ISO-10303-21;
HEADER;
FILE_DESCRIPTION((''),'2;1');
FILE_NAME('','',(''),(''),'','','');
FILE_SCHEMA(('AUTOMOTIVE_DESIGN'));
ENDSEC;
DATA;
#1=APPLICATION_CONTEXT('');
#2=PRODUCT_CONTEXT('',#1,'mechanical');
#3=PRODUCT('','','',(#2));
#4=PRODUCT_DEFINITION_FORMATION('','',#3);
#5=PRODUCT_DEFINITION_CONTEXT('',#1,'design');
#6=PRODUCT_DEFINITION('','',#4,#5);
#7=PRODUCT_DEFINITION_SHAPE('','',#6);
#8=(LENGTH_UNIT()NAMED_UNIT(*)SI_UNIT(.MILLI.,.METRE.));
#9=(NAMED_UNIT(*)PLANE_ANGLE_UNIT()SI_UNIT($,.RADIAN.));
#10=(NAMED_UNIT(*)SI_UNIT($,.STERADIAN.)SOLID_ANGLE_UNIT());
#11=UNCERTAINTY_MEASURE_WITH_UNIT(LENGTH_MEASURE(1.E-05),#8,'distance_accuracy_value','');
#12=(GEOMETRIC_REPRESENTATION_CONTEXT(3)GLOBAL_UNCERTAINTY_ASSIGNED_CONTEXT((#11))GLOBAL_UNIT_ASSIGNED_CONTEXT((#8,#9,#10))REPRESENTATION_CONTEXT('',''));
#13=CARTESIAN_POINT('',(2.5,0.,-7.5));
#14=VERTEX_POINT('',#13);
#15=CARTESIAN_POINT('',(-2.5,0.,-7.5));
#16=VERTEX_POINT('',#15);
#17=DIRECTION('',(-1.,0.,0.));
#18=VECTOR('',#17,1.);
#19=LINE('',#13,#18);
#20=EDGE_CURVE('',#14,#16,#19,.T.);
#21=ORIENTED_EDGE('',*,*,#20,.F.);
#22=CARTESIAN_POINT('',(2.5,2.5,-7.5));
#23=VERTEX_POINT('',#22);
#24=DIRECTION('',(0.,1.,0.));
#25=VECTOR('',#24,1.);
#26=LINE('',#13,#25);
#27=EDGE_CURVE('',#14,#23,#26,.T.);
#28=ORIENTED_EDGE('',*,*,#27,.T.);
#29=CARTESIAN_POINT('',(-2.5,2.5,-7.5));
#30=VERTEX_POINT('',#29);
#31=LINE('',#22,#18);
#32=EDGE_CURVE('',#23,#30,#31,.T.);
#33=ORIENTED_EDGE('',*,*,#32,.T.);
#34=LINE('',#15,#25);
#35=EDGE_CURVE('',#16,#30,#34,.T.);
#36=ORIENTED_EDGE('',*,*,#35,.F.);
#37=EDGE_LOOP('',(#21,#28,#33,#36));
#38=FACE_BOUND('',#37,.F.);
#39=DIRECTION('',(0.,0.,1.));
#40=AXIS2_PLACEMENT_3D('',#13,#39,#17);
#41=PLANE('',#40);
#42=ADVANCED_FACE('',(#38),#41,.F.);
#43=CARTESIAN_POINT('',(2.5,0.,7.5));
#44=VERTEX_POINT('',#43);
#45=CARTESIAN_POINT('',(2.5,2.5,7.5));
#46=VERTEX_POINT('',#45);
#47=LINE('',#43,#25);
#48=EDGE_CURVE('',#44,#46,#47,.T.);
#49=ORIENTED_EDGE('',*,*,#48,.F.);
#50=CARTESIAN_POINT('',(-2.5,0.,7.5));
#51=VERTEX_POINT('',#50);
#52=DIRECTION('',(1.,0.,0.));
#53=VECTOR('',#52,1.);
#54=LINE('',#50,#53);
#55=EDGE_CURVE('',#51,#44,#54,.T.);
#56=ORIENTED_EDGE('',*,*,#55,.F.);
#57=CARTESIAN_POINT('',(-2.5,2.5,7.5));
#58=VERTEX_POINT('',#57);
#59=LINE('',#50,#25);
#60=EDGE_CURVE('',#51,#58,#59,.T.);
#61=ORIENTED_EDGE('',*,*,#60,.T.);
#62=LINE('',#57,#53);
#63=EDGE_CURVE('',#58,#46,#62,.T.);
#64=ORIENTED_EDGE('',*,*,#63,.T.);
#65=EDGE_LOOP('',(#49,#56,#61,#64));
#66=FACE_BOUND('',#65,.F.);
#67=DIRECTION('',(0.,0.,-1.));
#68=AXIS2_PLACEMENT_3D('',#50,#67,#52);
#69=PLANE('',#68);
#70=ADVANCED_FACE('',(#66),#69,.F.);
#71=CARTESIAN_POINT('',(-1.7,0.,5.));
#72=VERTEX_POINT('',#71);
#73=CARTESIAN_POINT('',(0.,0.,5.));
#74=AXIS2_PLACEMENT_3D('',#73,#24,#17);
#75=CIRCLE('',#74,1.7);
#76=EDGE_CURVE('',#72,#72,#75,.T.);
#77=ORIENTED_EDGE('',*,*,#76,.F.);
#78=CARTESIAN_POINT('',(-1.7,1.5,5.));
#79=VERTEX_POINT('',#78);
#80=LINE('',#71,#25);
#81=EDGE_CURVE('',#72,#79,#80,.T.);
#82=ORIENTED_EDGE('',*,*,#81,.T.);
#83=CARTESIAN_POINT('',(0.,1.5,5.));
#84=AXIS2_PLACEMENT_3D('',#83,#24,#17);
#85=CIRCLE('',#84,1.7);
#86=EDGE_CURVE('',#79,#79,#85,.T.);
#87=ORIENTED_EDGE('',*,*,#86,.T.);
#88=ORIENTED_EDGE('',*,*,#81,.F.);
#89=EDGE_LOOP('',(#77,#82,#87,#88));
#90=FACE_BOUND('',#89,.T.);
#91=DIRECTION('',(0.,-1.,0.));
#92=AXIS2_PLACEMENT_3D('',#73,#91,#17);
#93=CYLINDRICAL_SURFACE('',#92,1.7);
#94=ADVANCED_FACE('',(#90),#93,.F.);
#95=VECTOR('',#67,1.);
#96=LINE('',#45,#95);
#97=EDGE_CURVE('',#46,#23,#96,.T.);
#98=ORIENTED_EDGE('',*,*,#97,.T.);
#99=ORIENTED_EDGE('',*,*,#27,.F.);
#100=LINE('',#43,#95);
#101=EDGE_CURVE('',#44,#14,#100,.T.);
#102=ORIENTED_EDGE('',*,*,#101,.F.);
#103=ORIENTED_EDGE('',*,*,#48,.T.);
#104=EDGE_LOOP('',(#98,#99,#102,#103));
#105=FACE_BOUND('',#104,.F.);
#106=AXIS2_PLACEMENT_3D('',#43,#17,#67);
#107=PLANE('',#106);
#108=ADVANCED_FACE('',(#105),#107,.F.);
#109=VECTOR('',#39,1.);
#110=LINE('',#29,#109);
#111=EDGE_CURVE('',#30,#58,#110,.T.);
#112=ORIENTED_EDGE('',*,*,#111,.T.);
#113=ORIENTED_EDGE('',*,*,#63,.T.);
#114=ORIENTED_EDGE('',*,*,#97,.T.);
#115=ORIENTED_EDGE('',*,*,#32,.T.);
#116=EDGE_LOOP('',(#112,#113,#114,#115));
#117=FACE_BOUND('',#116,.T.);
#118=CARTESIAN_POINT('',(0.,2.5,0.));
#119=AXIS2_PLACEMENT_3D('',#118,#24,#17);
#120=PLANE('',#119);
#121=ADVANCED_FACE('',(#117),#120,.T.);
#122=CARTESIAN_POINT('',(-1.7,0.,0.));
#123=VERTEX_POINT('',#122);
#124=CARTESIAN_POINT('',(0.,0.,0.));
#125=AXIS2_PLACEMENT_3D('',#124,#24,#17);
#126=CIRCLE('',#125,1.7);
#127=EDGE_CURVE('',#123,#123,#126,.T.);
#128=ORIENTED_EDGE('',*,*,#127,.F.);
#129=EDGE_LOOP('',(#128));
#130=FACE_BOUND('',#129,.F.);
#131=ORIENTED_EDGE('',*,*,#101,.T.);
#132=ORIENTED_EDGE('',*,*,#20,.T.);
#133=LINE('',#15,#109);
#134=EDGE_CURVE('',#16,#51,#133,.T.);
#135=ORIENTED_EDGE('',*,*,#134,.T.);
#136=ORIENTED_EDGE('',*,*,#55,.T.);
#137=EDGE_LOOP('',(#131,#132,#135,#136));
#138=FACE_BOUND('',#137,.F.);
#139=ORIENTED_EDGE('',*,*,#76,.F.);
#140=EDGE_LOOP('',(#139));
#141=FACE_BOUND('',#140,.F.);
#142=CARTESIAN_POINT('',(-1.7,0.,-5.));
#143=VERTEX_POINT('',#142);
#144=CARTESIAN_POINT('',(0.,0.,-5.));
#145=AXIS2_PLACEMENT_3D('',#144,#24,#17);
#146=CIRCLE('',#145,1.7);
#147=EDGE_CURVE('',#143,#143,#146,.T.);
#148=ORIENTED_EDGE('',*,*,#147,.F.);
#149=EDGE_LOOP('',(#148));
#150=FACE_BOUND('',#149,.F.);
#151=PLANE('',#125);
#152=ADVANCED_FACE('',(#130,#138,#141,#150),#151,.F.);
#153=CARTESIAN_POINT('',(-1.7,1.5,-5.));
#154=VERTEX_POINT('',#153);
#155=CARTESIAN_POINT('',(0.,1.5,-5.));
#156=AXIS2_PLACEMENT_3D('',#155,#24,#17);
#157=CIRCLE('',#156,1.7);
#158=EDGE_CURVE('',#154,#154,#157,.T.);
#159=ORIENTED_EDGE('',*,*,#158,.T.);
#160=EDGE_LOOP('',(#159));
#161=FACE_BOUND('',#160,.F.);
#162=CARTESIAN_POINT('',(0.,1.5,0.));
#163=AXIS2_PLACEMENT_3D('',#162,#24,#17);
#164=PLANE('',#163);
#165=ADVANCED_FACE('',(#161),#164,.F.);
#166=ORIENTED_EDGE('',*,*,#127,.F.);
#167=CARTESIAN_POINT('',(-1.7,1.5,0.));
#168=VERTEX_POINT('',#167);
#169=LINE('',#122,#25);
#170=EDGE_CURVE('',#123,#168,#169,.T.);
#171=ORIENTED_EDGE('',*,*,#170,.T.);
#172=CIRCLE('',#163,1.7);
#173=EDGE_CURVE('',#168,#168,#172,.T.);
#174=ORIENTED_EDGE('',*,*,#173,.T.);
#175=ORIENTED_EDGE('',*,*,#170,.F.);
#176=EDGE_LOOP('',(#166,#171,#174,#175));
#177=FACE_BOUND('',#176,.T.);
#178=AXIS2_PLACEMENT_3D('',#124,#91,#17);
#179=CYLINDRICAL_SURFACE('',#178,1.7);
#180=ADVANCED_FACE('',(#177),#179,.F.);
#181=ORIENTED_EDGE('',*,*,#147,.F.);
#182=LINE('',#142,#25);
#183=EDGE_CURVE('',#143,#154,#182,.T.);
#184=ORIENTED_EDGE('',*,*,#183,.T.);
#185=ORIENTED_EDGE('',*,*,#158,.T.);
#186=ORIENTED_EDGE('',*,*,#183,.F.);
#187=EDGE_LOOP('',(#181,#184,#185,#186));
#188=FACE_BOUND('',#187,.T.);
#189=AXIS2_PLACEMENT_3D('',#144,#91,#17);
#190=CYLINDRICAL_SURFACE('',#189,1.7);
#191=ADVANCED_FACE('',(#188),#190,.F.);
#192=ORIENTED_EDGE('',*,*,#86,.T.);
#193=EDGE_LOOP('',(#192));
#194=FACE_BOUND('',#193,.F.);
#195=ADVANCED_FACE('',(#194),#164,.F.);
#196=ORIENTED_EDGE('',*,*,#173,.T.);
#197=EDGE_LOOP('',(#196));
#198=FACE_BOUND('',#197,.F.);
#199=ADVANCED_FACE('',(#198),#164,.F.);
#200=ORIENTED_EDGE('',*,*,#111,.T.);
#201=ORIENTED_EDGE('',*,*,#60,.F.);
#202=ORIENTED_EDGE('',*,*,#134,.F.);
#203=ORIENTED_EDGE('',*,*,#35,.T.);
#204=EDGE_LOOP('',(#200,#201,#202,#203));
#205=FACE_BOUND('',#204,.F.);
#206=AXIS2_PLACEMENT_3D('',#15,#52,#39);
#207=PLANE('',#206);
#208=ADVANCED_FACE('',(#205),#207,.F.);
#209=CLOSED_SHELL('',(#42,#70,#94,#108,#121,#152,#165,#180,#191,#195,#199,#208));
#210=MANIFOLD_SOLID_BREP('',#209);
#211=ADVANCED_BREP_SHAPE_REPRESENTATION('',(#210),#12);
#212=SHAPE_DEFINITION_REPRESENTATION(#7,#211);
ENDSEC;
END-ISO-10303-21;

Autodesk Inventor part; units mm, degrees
ref_plane "YZ Plane" through (0, 0, 0) normal (1, 0, 0) x (0, 1, 0)
ref_plane "XZ Plane" through (0, 0, 0) normal (0, 1, 0) x (-1, 0, 0)
ref_plane "XY Plane" through (0, 0, 0) normal (0, 0, 1) x (1, 0, 0)
sketch "草圖1" plane through (0, 0, 0) normal (0, 1, 0) x (-1, 0, 0)
  line L0 (2.5, 7.5) -> (-2.5, 7.5)
  line L1 (-2.5, 7.5) -> (-2.5, -7.5)
  line L2 (-2.5, -7.5) -> (2.5, -7.5)
  line L3 (2.5, -7.5) -> (2.5, 7.5)
  circle A0 centre (0, 5) radius 1.7
  circle A1 centre (0, 0) radius 1.7
  circle A2 centre (0, -5) radius 1.7
  point P0 (0, 0)
  point P1 (2.5, 0)
  point P2 (0, -7.5)
  dimension "d0" = 5
  dimension "d1" = 15
  dimension "d2" = 3.4
  dimension "d3" = 2.5
  dimension "d4" = 2.5
  dimension "d7" = 5
extrude "擠出1" add sketch "草圖1" along normal blind 2.5 contours L3 L2 L1 L0 | A0 | A1 | A2
extrude "擠出2" cut sketch "草圖1" along normal blind 1.5 contours A0 | A1 | A2
properties part number "110033226_ipt_10_木板條"
